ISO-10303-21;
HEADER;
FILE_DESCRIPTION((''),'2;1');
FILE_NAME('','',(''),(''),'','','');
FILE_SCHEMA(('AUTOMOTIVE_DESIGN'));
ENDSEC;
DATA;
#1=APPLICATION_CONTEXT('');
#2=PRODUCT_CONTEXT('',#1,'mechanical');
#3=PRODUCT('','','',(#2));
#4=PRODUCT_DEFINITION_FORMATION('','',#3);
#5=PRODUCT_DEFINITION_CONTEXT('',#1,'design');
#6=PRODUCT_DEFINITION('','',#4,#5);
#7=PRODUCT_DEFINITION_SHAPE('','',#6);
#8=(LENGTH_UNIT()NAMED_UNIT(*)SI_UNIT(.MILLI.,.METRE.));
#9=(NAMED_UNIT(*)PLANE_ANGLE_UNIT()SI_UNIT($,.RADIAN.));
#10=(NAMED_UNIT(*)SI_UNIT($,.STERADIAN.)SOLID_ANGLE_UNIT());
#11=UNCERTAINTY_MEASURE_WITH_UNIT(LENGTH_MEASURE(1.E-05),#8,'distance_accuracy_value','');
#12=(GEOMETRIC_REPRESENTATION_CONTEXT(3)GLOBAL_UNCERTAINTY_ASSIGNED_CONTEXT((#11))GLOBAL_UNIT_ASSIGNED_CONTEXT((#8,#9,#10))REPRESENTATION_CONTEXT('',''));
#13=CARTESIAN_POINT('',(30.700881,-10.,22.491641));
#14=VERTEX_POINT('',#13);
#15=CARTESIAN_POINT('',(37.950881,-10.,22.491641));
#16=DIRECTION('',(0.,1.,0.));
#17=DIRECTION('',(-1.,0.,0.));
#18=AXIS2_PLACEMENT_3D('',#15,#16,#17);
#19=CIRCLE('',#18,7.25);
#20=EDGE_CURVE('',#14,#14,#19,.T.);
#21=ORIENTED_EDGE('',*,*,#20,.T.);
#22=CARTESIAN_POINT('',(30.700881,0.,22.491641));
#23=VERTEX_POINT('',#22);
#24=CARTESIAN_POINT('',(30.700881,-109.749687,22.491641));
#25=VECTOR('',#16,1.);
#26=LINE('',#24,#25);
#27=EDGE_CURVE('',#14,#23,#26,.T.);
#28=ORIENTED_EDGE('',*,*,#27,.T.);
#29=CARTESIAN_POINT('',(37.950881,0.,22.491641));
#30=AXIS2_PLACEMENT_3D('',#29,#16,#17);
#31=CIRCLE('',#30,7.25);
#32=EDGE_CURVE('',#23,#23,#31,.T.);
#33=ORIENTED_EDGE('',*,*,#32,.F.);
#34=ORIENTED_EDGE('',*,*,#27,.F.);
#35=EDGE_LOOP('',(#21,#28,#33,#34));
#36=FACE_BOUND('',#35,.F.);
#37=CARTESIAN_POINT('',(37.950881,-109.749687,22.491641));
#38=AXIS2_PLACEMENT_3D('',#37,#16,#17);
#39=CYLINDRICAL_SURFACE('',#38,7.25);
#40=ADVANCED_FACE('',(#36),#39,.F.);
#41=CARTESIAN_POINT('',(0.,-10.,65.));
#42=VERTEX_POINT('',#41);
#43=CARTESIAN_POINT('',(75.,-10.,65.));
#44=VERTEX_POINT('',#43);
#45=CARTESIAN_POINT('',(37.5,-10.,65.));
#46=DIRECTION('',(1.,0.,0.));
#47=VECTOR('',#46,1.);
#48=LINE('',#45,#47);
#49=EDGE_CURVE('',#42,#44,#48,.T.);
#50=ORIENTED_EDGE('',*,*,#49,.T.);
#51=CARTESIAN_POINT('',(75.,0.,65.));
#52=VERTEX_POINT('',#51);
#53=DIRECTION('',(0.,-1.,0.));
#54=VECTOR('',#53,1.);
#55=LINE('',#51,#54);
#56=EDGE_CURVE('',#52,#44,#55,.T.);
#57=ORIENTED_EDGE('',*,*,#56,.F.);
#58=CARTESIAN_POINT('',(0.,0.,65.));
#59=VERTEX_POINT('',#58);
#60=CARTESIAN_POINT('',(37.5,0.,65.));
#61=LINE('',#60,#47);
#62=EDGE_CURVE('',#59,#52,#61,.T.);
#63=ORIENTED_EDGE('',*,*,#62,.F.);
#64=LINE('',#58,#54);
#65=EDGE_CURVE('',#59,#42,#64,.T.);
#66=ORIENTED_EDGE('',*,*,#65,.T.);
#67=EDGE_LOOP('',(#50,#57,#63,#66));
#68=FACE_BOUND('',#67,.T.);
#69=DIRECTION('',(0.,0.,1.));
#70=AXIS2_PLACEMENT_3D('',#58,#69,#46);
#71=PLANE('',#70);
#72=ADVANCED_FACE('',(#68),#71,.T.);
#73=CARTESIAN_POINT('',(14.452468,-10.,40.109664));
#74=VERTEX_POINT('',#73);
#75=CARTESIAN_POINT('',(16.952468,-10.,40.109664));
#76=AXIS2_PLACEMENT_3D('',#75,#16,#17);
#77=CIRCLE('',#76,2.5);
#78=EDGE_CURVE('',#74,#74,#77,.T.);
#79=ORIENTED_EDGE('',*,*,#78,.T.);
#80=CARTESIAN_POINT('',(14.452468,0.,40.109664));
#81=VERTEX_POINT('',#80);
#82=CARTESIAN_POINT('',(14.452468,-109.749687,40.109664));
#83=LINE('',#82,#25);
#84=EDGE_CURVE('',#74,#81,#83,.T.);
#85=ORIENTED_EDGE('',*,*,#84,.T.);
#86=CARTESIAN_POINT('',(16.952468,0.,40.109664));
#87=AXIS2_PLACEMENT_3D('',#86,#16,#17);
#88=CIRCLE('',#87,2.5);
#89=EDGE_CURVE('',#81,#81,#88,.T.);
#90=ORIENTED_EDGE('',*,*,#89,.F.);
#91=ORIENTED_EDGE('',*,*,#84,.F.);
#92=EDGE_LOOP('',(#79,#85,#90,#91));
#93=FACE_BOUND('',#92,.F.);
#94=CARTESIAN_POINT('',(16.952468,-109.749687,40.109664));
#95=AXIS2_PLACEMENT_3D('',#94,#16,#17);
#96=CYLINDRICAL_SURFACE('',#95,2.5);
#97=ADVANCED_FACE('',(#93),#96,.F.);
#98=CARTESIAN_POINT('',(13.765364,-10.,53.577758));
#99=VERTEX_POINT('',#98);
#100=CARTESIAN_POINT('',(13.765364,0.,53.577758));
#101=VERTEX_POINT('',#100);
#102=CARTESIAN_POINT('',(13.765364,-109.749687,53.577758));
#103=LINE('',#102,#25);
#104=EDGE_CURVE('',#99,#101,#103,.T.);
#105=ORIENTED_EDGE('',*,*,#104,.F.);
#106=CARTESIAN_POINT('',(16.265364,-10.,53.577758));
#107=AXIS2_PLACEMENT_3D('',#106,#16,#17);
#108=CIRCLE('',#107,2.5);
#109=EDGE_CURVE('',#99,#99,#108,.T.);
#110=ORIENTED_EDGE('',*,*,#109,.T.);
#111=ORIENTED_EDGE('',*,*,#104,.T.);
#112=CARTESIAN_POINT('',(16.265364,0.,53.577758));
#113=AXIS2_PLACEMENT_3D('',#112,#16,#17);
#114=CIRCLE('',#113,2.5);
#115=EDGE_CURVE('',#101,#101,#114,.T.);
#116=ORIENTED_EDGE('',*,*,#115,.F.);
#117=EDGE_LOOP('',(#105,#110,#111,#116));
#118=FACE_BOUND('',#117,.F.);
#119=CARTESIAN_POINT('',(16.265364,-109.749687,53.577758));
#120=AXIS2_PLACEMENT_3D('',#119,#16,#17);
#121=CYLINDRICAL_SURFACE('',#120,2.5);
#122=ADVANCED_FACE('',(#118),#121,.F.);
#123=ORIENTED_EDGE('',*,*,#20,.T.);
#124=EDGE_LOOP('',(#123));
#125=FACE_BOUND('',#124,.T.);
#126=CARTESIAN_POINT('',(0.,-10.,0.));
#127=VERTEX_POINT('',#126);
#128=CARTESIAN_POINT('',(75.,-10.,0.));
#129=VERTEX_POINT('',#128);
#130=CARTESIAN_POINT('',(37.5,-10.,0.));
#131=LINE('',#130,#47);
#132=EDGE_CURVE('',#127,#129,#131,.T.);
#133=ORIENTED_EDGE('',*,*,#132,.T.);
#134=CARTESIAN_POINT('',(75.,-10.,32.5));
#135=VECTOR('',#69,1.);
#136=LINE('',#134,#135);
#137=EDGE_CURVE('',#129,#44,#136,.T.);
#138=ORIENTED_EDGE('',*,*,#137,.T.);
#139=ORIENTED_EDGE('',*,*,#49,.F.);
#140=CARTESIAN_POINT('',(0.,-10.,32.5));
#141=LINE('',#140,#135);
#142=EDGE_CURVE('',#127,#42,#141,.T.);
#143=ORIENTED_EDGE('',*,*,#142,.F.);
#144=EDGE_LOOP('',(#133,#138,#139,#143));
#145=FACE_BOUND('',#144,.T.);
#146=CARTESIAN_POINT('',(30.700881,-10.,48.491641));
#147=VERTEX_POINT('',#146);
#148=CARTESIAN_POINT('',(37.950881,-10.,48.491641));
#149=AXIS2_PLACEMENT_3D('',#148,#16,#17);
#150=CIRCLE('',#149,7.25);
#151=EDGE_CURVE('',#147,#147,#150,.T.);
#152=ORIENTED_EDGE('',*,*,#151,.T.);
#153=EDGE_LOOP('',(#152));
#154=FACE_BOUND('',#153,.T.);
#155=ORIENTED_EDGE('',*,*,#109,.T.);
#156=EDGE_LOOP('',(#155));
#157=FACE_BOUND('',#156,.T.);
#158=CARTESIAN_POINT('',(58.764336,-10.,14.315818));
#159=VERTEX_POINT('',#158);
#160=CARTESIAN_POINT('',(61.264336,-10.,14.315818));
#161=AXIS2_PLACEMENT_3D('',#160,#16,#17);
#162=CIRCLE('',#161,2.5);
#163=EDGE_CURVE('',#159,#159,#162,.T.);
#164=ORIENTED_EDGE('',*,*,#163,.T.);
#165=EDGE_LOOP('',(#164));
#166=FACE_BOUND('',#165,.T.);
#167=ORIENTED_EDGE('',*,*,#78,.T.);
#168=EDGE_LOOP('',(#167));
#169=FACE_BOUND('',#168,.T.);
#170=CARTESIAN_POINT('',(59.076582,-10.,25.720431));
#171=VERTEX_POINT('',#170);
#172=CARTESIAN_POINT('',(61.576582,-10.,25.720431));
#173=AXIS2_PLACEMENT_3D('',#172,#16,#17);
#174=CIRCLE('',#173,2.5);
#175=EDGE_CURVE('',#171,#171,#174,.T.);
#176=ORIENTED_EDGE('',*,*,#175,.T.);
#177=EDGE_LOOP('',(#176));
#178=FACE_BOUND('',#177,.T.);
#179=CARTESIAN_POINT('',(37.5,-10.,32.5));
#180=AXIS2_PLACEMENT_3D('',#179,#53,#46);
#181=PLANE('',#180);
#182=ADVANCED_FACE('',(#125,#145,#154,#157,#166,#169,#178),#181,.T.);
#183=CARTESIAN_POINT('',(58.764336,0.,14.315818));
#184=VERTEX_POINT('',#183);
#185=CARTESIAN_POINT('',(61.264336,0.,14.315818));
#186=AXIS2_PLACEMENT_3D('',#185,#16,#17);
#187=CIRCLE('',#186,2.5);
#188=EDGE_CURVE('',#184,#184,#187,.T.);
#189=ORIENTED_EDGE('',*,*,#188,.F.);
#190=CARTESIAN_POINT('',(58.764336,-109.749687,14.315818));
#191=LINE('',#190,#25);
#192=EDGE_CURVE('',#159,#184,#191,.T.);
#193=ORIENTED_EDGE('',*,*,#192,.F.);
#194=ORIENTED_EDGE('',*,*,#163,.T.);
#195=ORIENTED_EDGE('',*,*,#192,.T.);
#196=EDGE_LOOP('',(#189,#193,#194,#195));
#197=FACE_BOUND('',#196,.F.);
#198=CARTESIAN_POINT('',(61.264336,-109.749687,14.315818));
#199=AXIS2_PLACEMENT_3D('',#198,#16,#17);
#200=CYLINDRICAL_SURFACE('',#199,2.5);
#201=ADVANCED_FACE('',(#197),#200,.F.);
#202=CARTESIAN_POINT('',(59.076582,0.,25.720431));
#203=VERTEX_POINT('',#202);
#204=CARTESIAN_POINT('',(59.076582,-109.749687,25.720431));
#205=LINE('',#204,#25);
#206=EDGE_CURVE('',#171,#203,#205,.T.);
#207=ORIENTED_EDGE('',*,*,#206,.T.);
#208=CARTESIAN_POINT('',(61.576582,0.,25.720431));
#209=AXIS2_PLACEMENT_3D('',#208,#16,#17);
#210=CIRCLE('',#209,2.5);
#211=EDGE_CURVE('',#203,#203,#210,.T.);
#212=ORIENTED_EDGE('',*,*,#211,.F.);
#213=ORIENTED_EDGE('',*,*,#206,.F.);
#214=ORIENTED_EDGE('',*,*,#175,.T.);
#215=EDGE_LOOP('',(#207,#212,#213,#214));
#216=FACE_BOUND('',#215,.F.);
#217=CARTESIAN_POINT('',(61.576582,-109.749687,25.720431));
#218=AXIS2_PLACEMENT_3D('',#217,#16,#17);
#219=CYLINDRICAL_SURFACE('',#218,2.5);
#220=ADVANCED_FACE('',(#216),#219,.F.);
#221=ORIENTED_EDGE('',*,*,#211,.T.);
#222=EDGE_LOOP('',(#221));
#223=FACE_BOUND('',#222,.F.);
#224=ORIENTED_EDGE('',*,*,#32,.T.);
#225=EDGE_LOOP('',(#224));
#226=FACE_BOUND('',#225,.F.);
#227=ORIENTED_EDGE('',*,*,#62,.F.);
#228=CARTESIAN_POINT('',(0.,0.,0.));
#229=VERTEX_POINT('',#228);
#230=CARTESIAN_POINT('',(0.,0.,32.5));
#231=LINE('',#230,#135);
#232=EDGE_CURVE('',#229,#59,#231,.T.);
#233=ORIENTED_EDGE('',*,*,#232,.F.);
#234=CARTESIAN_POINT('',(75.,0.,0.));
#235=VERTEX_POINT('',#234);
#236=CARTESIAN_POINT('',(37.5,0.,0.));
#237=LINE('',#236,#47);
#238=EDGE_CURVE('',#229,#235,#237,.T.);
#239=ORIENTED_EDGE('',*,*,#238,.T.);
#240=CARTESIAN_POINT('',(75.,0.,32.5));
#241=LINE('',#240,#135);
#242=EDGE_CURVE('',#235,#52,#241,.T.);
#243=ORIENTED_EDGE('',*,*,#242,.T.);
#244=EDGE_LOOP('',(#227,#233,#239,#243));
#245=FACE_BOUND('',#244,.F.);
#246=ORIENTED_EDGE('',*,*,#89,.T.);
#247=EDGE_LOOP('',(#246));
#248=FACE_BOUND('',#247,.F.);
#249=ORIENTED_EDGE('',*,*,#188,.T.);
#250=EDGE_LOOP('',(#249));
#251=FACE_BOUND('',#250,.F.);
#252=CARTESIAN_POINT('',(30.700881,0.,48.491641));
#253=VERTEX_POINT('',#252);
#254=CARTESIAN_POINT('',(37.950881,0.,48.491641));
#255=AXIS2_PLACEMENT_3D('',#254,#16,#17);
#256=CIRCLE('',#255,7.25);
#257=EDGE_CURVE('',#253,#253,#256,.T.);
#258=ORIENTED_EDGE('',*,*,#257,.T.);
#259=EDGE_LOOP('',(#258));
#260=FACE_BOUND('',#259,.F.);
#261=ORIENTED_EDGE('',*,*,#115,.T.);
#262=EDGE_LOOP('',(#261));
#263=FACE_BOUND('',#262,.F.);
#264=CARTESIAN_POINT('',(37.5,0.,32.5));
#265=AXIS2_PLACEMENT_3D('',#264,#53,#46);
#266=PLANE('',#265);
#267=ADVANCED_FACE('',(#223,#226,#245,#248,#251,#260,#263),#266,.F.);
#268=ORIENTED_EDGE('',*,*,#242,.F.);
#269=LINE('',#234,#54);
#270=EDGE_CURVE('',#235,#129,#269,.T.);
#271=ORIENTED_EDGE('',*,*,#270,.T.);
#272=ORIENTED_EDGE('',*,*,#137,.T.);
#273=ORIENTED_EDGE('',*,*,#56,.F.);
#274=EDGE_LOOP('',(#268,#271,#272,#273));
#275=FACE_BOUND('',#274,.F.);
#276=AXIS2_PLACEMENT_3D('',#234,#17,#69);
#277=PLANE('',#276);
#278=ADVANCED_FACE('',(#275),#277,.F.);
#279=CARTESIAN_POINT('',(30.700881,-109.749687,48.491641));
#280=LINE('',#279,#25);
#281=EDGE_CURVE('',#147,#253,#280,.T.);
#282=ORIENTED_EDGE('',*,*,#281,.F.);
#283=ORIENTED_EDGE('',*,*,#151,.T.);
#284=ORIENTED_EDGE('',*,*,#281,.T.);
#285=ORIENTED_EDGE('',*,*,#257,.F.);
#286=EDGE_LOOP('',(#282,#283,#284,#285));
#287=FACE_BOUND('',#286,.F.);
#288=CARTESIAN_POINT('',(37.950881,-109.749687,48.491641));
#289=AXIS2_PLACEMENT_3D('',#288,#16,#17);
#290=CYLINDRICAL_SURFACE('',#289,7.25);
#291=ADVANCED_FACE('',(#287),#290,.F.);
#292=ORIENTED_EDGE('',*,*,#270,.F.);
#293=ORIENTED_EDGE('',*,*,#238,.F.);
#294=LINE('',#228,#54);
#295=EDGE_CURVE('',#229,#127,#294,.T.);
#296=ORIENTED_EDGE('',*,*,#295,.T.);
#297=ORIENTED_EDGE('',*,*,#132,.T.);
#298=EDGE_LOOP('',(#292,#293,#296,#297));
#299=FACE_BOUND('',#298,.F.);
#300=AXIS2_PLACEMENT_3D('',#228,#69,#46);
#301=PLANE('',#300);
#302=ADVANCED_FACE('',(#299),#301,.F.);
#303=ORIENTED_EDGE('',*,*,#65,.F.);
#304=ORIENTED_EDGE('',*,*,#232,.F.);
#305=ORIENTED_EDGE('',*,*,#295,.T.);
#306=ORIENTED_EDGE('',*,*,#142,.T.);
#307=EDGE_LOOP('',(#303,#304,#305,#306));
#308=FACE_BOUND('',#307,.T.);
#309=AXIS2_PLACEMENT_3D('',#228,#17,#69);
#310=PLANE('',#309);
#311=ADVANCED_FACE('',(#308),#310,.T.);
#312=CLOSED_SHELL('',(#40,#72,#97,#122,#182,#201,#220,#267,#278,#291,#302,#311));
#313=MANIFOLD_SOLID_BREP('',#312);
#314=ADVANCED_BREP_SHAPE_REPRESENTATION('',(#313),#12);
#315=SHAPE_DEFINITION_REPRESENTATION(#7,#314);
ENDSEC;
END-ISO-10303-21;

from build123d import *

# Parameters (mm, degrees)
F0_W     = 75
F0_H     = 65
F1_DEPTH = 10
F3_D     = 14.5
F5_D     = 5


with BuildPart() as f1:
    # F0 (on Front) → F1 (new body)
    with BuildSketch(Plane.XZ):
        with Locations((37.5, 32.5)):
            Rectangle(F0_W, F0_H)
    extrude(amount=F1_DEPTH)

    # F3 (through all)
    with Locations(Plane.XZ.offset(10)):
        with Locations((37.950881, 48.491641), (37.950881, 22.491641)):
            Hole(F3_D / 2)

    # F5 (through all)
    with Locations(Plane.XZ.offset(10)):
        with Locations((16.265364, 53.577758), (16.952468, 40.109664), (61.576582, 25.720431), (61.264336, 14.315818)):
            Hole(F5_D / 2)


solid = f1.part
